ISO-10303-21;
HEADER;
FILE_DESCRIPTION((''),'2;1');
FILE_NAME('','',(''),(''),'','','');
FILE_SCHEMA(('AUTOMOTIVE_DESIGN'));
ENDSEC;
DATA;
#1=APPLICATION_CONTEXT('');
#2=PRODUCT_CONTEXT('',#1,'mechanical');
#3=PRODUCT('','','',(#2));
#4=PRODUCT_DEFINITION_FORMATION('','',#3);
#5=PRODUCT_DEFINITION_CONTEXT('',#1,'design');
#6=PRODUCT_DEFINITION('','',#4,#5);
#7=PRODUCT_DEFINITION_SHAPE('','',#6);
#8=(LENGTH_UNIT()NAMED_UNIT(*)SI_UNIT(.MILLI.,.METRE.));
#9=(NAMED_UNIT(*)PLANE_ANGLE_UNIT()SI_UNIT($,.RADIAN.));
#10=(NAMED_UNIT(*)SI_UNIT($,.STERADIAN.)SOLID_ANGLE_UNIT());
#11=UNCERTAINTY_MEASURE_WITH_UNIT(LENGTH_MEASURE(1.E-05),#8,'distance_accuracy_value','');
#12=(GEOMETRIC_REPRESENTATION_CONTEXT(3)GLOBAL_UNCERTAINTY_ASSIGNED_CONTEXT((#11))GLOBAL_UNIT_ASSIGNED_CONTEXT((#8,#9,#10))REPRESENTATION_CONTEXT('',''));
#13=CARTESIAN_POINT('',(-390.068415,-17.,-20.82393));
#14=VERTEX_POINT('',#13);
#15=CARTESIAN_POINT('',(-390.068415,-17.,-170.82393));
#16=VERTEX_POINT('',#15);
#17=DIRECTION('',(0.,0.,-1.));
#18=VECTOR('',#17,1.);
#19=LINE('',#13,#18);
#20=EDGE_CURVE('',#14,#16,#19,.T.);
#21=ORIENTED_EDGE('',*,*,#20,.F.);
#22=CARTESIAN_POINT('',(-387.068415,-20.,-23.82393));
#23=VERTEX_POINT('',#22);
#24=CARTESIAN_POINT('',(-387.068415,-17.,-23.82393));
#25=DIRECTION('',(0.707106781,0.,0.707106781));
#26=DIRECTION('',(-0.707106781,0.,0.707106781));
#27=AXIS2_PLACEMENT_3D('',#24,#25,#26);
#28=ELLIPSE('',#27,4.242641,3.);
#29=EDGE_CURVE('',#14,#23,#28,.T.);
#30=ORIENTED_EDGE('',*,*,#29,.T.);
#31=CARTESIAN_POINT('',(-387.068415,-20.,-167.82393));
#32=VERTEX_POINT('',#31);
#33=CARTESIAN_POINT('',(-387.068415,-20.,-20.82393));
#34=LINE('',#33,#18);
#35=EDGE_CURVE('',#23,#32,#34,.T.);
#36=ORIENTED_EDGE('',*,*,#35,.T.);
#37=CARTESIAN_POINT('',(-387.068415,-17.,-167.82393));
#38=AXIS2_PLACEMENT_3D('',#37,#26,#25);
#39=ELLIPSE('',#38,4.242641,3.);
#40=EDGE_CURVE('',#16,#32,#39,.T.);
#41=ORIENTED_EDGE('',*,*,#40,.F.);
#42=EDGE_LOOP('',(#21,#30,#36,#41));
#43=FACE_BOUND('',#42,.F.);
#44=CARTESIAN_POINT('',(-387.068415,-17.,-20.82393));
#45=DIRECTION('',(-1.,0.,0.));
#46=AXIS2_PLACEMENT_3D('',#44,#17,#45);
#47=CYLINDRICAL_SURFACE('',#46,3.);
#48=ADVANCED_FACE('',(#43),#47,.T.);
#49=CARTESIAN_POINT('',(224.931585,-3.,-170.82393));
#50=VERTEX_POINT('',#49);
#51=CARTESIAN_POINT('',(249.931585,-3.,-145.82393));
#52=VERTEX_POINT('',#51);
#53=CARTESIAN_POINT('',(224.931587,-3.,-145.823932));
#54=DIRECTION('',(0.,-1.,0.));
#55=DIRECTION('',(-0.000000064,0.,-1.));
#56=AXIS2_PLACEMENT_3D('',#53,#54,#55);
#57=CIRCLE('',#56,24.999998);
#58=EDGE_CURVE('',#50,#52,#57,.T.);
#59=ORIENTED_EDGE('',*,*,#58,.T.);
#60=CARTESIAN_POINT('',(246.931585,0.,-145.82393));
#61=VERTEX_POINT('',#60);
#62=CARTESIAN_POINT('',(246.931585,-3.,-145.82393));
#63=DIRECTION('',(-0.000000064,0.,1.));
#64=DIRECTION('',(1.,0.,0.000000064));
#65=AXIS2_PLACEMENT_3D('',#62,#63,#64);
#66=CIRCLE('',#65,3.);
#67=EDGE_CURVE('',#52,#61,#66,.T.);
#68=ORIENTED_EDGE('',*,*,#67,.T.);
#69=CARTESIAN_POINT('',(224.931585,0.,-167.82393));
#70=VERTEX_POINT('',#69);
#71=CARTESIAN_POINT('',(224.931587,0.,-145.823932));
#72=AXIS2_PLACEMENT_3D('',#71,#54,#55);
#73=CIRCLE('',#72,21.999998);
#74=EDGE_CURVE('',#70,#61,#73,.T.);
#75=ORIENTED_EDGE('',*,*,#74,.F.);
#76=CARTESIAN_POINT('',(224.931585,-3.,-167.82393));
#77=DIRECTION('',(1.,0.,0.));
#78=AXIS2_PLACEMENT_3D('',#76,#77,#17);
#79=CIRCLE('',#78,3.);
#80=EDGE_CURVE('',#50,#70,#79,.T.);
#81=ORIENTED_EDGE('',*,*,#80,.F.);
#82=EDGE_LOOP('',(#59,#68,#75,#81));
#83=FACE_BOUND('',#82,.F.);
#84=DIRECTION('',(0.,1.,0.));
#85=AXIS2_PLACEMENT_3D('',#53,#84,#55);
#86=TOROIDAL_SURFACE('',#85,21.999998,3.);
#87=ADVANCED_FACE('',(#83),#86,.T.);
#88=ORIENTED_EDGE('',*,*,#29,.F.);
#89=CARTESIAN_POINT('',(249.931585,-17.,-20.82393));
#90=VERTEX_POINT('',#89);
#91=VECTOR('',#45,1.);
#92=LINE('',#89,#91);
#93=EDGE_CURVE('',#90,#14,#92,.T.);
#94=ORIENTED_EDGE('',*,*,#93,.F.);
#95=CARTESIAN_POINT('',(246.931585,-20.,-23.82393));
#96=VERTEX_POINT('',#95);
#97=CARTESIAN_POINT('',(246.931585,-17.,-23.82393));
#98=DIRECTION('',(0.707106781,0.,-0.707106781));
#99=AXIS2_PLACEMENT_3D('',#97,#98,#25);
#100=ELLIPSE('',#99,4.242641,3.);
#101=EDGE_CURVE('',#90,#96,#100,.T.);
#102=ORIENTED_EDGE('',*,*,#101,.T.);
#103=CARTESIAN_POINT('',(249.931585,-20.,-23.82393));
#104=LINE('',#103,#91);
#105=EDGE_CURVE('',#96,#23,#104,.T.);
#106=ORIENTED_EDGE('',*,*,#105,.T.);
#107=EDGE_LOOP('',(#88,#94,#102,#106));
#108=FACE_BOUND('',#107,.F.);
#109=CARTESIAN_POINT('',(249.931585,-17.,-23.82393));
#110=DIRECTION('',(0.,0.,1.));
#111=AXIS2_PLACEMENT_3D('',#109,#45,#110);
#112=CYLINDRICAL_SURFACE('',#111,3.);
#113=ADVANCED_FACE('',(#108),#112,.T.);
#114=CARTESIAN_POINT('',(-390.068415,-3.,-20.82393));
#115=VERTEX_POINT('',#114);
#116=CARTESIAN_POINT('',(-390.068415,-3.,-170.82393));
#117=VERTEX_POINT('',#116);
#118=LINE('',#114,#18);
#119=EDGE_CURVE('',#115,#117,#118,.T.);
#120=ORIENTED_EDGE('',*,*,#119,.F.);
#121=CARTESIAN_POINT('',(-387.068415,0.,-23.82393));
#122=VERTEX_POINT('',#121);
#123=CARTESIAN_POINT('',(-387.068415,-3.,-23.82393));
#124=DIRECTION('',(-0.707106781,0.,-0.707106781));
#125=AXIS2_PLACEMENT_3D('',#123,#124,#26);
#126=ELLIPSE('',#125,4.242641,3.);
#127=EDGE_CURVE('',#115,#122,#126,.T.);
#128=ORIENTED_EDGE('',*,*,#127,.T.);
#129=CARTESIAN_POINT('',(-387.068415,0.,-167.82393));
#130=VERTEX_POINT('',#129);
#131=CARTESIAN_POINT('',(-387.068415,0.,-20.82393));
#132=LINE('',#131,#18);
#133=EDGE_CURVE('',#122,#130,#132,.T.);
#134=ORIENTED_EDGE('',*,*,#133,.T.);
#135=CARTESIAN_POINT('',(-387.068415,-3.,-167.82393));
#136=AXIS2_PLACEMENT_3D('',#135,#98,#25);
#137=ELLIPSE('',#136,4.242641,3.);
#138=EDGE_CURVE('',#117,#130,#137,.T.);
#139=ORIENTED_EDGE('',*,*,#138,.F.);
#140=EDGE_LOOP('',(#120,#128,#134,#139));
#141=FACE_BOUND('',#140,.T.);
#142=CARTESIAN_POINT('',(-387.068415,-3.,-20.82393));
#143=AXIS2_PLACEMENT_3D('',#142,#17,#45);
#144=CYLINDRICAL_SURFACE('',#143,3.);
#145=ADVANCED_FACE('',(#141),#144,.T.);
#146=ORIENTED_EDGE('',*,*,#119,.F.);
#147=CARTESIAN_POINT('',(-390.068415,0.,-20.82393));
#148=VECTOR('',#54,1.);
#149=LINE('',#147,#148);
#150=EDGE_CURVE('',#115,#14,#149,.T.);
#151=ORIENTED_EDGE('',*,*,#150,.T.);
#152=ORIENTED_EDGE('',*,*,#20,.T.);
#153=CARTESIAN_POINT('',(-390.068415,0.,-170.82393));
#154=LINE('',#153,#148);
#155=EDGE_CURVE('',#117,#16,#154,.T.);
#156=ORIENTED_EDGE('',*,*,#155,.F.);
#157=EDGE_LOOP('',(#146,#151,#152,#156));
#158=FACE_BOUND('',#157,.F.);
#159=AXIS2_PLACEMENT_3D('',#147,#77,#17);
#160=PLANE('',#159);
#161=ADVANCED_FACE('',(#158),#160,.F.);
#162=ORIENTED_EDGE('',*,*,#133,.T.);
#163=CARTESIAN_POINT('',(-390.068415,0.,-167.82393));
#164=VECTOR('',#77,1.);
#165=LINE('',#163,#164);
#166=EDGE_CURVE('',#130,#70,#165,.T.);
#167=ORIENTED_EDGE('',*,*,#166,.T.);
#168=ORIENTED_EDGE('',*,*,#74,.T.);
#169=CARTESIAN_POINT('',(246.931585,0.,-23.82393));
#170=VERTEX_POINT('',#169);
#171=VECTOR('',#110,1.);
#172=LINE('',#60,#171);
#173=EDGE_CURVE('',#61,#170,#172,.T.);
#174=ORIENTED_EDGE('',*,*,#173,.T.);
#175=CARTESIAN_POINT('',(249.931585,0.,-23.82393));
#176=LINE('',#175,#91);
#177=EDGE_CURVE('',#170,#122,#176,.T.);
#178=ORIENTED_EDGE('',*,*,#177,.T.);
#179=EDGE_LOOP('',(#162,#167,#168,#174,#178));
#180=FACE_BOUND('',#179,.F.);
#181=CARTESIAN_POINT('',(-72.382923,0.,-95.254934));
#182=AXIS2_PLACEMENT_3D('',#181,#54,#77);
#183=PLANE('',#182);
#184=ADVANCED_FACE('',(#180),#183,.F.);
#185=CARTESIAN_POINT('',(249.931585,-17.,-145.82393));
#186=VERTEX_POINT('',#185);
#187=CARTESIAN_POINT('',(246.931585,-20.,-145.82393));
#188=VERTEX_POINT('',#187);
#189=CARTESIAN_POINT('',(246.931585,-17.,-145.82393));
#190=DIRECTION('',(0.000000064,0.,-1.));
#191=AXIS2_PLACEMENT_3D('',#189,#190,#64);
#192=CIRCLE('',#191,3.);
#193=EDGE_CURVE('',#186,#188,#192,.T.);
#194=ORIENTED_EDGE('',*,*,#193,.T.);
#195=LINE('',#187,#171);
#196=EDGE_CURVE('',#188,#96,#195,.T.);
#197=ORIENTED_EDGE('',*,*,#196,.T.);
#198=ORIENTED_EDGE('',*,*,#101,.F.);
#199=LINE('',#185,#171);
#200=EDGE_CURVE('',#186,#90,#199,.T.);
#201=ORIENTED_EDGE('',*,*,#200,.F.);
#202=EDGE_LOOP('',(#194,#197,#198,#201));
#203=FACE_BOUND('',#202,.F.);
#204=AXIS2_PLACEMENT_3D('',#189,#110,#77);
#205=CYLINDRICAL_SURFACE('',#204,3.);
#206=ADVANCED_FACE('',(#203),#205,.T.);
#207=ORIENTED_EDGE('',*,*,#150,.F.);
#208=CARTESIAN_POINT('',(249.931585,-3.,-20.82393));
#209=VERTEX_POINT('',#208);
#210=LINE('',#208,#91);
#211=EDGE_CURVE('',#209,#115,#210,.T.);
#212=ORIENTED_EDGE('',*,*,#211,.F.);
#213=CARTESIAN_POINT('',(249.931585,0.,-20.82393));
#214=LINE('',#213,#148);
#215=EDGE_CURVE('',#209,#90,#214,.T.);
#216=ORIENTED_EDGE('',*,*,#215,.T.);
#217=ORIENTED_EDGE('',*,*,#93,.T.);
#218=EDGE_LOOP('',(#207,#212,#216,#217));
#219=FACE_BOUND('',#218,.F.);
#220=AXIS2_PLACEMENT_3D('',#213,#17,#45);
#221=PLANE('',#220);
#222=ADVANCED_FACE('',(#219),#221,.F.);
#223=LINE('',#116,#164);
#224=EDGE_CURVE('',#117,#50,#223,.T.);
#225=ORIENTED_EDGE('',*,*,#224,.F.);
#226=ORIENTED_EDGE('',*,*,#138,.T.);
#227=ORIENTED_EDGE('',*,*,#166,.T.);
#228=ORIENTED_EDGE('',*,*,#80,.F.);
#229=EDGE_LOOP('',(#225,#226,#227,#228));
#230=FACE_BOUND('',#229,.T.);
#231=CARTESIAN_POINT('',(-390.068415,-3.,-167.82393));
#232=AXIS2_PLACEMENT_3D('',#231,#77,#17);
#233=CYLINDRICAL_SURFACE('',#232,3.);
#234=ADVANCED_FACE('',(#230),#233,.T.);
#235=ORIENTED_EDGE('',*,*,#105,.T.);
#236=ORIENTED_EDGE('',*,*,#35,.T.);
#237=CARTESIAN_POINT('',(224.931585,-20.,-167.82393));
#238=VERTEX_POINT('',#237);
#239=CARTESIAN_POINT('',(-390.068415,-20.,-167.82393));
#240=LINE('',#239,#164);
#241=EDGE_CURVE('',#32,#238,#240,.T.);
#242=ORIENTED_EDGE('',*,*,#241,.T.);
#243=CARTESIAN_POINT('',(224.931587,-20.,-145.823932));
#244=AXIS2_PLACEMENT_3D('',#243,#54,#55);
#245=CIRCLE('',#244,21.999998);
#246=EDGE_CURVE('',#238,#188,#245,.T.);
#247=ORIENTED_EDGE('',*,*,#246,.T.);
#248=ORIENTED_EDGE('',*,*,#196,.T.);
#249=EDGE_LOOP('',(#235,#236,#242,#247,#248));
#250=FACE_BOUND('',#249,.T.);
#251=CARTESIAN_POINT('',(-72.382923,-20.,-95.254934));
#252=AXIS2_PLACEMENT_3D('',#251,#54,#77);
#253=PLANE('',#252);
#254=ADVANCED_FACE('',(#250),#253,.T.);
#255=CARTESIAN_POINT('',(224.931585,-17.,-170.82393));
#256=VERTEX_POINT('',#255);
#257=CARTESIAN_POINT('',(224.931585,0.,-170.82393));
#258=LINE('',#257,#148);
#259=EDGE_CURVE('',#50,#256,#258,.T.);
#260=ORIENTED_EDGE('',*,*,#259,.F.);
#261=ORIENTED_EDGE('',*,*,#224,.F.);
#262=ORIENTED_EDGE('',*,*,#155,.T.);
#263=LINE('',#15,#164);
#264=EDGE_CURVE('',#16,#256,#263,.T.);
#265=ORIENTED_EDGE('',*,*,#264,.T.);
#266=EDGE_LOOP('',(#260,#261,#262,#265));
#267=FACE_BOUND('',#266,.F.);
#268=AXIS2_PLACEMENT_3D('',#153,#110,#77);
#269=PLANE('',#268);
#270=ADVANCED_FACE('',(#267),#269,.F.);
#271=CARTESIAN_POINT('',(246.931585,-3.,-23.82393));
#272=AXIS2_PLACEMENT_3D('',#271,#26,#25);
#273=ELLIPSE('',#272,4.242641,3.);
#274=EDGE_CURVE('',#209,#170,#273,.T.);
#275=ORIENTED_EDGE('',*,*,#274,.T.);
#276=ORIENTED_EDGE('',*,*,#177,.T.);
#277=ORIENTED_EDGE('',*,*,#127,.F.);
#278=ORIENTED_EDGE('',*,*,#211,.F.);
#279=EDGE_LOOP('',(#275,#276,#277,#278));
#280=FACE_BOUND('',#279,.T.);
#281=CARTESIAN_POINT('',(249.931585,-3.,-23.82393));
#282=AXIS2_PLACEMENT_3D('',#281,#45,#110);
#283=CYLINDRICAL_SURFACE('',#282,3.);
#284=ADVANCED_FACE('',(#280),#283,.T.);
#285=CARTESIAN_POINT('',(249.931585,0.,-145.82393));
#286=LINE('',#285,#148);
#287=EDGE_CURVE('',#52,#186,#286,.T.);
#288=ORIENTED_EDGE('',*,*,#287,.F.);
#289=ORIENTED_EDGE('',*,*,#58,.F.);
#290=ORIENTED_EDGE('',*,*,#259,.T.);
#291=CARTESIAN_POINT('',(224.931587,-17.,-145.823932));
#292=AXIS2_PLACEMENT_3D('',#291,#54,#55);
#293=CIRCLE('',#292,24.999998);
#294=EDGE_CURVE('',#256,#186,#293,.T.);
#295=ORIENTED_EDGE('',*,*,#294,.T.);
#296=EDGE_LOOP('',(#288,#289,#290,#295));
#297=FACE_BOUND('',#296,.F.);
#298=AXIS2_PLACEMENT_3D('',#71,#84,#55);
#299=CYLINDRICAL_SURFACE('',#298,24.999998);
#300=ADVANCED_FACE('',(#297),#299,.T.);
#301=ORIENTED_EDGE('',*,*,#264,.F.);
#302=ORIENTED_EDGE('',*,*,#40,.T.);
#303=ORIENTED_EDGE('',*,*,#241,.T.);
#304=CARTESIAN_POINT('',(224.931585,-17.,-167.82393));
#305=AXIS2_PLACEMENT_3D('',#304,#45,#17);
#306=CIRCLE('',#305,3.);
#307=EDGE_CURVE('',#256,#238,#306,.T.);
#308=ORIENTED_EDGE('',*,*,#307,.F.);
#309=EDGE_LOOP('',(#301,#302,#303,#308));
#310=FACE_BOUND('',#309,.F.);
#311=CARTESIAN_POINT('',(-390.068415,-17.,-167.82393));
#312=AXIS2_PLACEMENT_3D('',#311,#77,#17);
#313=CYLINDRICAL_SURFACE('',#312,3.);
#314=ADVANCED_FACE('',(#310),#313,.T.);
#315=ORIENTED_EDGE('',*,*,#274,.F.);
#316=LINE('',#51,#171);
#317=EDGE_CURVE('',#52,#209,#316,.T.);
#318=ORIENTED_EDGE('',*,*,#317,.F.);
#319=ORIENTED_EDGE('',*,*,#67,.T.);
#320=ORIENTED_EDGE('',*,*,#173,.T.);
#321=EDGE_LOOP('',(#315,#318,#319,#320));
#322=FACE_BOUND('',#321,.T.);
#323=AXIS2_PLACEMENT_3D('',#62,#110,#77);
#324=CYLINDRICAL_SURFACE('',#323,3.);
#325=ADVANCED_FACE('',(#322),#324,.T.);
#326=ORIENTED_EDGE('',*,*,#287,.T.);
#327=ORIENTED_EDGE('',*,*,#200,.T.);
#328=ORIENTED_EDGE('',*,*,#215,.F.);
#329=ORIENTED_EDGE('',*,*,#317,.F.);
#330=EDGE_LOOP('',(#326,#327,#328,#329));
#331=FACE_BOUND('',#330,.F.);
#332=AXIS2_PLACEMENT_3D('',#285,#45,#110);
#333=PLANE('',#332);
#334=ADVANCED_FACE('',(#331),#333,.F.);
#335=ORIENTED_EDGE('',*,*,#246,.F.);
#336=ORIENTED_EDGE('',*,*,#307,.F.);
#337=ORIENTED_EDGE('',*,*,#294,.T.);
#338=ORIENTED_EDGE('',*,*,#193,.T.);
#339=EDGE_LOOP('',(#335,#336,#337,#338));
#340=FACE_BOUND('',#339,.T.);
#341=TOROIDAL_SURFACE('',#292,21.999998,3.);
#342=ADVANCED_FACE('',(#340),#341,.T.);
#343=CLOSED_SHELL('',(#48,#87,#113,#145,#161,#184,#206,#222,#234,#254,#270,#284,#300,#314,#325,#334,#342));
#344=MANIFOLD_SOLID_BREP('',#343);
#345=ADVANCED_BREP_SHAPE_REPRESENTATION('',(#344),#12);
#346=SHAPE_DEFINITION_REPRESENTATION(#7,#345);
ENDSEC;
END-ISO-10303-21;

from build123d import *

# Parameters (mm, degrees)
F1_DEPTH = 20
F3_R     = 3


with BuildPart() as f1:
    # F0 (on Front) → F1 (new body)
    with BuildSketch(Plane.XZ):
        with BuildLine():
            Line((249.931585, -20.82393), (-390.068415, -20.82393))
            Line((-390.068415, -20.82393), (-390.068415, -170.82393))
            Line((-390.068415, -170.82393), (224.931585, -170.82393))
            ThreePointArc((224.931585, -170.82393), (242.609255, -163.5016), (249.931585, -145.82393))
            Line((249.931585, -145.82393), (249.931585, -20.82393))
        make_face()
    extrude(amount=F1_DEPTH)

    # F3
    f3_edges = [f1.edges().sort_by_distance(p)[0] for p in [
        (242.609255, 0, -163.5016),
        (249.931585, 0, -83.32393),
        (-70.068415, 0, -20.82393),
        (-390.068415, 0, -95.82393),
        (-82.568415, 0, -170.82393),
        (242.609255, -20, -163.5016),
        (249.931585, -20, -83.32393),
        (-70.068415, -20, -20.82393),
        (-390.068415, -20, -95.82393),
        (-82.568415, -20, -170.82393),
    ]]
    fillet(f3_edges, radius=F3_R)


solid = f1.part
